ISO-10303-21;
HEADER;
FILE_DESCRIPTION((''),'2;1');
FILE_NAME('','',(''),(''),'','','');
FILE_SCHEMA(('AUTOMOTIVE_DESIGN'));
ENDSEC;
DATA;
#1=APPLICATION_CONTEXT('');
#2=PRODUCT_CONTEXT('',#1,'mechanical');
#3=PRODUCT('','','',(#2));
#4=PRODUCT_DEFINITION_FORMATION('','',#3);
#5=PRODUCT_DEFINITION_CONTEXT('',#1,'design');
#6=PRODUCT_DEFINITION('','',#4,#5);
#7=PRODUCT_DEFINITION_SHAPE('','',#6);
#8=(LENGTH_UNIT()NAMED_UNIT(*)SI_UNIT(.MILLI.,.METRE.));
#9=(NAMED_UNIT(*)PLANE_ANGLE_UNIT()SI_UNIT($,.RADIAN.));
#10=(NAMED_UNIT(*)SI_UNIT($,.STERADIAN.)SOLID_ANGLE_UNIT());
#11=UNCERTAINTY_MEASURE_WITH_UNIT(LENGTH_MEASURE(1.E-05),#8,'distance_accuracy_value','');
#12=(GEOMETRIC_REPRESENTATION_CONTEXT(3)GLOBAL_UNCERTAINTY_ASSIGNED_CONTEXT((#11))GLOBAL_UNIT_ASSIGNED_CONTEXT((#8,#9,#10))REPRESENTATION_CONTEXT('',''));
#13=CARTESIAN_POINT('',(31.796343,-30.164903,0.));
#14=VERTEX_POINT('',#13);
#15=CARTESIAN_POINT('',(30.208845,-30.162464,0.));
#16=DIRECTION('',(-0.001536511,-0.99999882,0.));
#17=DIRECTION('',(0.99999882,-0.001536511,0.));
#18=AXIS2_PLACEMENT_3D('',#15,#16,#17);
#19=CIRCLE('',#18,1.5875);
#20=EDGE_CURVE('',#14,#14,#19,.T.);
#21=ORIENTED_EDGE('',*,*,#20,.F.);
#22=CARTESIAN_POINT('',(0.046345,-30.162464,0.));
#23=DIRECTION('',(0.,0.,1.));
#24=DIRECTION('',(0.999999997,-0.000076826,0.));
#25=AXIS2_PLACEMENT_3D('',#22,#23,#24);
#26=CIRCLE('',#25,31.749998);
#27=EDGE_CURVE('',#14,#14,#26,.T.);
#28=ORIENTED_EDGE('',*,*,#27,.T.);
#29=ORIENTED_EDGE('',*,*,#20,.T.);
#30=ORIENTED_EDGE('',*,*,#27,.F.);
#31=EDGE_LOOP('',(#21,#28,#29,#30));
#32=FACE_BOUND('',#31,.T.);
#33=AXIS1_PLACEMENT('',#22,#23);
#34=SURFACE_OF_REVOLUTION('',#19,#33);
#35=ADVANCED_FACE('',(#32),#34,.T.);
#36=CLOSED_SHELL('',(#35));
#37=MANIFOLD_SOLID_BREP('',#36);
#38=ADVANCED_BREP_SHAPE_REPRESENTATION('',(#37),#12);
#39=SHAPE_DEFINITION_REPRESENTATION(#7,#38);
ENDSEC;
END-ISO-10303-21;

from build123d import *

# Parameters (mm, degrees)
F0_R = 1.5875


with BuildPart() as f2:
    # F2: sweep along a path in F1
    with BuildLine(Plane.XY) as f2_path:
        CenterArc((0.046345, -30.162464), 30.1625, 0, 360)
    # F0 (on Right) → F2 (sweep)
    with BuildSketch(Plane.YZ):
        Circle(F0_R)
    sweep(path=f2_path.line)


solid = f2.part
